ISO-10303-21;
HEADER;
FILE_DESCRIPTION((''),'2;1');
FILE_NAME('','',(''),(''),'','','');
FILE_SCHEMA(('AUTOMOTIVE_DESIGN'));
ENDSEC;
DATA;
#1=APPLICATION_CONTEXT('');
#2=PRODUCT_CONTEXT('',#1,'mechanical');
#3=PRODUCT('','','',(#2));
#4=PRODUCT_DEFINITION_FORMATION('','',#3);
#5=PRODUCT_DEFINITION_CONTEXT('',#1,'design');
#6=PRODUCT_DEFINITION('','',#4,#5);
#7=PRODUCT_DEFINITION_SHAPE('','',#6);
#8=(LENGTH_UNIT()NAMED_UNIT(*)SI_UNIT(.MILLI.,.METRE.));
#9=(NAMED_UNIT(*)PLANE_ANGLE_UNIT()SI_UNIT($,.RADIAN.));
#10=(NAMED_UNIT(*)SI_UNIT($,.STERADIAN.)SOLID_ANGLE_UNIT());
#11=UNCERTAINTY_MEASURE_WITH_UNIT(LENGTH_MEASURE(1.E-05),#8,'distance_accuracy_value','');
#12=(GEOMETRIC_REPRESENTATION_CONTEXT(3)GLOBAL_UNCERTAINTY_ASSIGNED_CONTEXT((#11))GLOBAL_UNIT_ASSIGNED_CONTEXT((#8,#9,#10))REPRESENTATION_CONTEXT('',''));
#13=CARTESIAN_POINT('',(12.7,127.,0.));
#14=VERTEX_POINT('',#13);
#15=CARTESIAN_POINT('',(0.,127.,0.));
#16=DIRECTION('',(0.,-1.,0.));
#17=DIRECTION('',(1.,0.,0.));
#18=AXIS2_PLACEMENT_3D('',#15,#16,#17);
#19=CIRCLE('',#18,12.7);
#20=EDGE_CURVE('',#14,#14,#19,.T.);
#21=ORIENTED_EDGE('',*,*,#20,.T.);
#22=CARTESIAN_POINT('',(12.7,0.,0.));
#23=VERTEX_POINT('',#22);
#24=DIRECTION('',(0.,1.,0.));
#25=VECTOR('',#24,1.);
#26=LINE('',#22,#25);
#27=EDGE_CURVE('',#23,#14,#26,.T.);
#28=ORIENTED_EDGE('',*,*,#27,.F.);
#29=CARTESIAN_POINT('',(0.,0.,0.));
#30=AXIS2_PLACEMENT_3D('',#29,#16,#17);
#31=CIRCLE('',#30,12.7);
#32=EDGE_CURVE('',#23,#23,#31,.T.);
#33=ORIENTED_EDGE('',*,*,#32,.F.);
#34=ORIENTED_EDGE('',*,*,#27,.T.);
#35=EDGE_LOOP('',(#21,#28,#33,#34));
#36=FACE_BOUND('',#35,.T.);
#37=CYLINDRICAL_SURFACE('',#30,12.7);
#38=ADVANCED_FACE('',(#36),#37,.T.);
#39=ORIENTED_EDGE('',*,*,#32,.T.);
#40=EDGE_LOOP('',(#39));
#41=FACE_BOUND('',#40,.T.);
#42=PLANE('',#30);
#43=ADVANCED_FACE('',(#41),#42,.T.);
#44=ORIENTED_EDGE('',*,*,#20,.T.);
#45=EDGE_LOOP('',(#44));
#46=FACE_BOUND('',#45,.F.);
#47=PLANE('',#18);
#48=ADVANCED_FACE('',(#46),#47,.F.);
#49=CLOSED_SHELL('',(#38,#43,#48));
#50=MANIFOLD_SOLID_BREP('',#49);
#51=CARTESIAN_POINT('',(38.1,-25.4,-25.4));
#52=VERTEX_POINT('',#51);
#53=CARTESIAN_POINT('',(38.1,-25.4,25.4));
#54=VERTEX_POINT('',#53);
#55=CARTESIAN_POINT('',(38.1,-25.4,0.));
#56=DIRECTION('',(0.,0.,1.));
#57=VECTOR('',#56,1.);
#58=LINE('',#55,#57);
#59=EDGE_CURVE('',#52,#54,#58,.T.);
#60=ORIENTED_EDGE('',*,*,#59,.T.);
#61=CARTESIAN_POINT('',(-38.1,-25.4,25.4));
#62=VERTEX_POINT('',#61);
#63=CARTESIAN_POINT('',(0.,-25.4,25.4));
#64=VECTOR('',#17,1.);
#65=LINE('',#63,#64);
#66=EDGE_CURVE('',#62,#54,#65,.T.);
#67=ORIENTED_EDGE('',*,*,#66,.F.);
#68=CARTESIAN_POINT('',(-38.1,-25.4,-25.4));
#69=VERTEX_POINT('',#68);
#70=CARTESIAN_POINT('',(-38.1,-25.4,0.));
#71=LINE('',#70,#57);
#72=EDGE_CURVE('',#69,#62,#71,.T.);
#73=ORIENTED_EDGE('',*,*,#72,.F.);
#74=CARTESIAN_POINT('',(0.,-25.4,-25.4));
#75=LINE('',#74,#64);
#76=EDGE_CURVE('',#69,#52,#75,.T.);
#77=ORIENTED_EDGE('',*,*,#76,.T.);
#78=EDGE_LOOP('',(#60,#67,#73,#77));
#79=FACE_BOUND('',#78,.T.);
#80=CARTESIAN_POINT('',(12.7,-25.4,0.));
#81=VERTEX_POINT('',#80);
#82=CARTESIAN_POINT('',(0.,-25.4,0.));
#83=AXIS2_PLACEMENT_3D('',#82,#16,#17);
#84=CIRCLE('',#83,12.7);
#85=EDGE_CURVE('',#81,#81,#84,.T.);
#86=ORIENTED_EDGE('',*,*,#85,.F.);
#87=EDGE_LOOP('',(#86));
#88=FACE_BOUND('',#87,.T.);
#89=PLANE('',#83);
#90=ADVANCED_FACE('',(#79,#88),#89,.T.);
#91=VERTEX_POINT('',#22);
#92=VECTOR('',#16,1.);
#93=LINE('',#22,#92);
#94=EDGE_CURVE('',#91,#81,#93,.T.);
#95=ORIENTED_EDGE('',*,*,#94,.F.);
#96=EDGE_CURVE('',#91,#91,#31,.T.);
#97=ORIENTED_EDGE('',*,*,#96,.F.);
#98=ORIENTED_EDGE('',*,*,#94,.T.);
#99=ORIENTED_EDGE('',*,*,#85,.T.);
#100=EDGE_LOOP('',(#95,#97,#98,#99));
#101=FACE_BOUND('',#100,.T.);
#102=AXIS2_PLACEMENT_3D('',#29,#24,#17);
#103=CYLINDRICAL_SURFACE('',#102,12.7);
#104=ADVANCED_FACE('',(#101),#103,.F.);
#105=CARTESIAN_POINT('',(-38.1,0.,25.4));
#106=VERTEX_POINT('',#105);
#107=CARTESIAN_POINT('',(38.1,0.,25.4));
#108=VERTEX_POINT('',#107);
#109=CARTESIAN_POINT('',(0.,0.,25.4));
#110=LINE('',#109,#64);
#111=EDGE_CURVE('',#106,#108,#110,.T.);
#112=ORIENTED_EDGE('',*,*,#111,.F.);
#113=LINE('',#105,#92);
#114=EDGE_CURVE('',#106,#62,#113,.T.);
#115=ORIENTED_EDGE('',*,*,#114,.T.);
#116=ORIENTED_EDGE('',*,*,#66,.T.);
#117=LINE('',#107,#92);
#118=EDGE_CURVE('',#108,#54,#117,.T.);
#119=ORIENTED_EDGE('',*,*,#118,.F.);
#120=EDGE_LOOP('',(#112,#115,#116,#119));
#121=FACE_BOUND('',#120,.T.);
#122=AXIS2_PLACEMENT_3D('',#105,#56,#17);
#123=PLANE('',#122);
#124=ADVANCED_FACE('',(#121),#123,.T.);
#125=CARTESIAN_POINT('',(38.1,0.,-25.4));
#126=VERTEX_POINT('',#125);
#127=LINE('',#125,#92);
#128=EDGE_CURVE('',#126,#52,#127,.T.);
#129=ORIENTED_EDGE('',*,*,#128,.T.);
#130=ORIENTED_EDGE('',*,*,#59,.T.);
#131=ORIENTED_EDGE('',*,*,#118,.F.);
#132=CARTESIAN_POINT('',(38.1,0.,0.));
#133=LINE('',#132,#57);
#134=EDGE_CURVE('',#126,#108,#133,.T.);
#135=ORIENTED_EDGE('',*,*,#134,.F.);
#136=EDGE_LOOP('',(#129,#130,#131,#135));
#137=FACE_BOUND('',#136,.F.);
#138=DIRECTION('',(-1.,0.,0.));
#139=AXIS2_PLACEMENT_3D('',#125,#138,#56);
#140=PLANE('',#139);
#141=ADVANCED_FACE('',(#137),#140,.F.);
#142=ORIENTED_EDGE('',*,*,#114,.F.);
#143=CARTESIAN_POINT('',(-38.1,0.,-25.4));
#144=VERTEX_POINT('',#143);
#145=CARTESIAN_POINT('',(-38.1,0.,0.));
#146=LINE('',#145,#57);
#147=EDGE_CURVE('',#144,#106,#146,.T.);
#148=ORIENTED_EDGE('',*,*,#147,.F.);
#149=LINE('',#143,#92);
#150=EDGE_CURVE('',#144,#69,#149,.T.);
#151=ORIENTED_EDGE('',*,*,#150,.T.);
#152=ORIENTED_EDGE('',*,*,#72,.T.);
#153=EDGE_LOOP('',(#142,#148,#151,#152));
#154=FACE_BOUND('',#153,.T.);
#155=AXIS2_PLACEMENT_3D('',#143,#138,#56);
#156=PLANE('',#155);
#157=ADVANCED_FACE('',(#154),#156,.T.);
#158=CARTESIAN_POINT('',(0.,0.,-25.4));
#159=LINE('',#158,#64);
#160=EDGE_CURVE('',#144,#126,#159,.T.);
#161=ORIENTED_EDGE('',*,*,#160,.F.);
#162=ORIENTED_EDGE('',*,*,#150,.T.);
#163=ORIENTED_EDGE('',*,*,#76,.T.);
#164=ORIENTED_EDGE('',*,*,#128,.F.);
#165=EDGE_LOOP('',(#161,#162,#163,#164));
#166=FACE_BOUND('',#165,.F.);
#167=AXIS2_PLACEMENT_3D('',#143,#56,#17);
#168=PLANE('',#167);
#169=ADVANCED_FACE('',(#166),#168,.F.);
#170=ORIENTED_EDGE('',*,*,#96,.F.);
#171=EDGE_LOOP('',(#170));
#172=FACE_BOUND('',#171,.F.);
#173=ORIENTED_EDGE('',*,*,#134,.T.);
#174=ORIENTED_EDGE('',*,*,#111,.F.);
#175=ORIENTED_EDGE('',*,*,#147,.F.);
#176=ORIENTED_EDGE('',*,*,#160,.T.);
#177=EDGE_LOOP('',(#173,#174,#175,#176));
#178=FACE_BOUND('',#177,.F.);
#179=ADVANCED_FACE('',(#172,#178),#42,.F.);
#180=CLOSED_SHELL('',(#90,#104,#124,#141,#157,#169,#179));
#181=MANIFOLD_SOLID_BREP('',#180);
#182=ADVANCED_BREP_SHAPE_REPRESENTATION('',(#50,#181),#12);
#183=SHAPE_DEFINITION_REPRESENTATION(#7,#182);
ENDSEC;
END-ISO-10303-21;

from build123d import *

# Parameters (mm, degrees)
F0_W     = 76.2
F0_H     = 50.8
F0_R     = 12.7
F1_DEPTH = 25.4
F2_R     = 12.7
F3_DEPTH = 127


with BuildPart() as f1:
    # F0 (on Front) → F1 (new body)
    with BuildSketch(Plane.XZ):
        Rectangle(F0_W, F0_H)
        Circle(F0_R, mode=Mode.SUBTRACT)
    extrude(amount=F1_DEPTH)


with BuildPart() as f3:
    # F2 (on Front) → F3 (new body)
    with BuildSketch(Plane.XZ):
        Circle(F2_R)
    extrude(amount=-F3_DEPTH)


solid = Compound([f1.part, f3.part])
